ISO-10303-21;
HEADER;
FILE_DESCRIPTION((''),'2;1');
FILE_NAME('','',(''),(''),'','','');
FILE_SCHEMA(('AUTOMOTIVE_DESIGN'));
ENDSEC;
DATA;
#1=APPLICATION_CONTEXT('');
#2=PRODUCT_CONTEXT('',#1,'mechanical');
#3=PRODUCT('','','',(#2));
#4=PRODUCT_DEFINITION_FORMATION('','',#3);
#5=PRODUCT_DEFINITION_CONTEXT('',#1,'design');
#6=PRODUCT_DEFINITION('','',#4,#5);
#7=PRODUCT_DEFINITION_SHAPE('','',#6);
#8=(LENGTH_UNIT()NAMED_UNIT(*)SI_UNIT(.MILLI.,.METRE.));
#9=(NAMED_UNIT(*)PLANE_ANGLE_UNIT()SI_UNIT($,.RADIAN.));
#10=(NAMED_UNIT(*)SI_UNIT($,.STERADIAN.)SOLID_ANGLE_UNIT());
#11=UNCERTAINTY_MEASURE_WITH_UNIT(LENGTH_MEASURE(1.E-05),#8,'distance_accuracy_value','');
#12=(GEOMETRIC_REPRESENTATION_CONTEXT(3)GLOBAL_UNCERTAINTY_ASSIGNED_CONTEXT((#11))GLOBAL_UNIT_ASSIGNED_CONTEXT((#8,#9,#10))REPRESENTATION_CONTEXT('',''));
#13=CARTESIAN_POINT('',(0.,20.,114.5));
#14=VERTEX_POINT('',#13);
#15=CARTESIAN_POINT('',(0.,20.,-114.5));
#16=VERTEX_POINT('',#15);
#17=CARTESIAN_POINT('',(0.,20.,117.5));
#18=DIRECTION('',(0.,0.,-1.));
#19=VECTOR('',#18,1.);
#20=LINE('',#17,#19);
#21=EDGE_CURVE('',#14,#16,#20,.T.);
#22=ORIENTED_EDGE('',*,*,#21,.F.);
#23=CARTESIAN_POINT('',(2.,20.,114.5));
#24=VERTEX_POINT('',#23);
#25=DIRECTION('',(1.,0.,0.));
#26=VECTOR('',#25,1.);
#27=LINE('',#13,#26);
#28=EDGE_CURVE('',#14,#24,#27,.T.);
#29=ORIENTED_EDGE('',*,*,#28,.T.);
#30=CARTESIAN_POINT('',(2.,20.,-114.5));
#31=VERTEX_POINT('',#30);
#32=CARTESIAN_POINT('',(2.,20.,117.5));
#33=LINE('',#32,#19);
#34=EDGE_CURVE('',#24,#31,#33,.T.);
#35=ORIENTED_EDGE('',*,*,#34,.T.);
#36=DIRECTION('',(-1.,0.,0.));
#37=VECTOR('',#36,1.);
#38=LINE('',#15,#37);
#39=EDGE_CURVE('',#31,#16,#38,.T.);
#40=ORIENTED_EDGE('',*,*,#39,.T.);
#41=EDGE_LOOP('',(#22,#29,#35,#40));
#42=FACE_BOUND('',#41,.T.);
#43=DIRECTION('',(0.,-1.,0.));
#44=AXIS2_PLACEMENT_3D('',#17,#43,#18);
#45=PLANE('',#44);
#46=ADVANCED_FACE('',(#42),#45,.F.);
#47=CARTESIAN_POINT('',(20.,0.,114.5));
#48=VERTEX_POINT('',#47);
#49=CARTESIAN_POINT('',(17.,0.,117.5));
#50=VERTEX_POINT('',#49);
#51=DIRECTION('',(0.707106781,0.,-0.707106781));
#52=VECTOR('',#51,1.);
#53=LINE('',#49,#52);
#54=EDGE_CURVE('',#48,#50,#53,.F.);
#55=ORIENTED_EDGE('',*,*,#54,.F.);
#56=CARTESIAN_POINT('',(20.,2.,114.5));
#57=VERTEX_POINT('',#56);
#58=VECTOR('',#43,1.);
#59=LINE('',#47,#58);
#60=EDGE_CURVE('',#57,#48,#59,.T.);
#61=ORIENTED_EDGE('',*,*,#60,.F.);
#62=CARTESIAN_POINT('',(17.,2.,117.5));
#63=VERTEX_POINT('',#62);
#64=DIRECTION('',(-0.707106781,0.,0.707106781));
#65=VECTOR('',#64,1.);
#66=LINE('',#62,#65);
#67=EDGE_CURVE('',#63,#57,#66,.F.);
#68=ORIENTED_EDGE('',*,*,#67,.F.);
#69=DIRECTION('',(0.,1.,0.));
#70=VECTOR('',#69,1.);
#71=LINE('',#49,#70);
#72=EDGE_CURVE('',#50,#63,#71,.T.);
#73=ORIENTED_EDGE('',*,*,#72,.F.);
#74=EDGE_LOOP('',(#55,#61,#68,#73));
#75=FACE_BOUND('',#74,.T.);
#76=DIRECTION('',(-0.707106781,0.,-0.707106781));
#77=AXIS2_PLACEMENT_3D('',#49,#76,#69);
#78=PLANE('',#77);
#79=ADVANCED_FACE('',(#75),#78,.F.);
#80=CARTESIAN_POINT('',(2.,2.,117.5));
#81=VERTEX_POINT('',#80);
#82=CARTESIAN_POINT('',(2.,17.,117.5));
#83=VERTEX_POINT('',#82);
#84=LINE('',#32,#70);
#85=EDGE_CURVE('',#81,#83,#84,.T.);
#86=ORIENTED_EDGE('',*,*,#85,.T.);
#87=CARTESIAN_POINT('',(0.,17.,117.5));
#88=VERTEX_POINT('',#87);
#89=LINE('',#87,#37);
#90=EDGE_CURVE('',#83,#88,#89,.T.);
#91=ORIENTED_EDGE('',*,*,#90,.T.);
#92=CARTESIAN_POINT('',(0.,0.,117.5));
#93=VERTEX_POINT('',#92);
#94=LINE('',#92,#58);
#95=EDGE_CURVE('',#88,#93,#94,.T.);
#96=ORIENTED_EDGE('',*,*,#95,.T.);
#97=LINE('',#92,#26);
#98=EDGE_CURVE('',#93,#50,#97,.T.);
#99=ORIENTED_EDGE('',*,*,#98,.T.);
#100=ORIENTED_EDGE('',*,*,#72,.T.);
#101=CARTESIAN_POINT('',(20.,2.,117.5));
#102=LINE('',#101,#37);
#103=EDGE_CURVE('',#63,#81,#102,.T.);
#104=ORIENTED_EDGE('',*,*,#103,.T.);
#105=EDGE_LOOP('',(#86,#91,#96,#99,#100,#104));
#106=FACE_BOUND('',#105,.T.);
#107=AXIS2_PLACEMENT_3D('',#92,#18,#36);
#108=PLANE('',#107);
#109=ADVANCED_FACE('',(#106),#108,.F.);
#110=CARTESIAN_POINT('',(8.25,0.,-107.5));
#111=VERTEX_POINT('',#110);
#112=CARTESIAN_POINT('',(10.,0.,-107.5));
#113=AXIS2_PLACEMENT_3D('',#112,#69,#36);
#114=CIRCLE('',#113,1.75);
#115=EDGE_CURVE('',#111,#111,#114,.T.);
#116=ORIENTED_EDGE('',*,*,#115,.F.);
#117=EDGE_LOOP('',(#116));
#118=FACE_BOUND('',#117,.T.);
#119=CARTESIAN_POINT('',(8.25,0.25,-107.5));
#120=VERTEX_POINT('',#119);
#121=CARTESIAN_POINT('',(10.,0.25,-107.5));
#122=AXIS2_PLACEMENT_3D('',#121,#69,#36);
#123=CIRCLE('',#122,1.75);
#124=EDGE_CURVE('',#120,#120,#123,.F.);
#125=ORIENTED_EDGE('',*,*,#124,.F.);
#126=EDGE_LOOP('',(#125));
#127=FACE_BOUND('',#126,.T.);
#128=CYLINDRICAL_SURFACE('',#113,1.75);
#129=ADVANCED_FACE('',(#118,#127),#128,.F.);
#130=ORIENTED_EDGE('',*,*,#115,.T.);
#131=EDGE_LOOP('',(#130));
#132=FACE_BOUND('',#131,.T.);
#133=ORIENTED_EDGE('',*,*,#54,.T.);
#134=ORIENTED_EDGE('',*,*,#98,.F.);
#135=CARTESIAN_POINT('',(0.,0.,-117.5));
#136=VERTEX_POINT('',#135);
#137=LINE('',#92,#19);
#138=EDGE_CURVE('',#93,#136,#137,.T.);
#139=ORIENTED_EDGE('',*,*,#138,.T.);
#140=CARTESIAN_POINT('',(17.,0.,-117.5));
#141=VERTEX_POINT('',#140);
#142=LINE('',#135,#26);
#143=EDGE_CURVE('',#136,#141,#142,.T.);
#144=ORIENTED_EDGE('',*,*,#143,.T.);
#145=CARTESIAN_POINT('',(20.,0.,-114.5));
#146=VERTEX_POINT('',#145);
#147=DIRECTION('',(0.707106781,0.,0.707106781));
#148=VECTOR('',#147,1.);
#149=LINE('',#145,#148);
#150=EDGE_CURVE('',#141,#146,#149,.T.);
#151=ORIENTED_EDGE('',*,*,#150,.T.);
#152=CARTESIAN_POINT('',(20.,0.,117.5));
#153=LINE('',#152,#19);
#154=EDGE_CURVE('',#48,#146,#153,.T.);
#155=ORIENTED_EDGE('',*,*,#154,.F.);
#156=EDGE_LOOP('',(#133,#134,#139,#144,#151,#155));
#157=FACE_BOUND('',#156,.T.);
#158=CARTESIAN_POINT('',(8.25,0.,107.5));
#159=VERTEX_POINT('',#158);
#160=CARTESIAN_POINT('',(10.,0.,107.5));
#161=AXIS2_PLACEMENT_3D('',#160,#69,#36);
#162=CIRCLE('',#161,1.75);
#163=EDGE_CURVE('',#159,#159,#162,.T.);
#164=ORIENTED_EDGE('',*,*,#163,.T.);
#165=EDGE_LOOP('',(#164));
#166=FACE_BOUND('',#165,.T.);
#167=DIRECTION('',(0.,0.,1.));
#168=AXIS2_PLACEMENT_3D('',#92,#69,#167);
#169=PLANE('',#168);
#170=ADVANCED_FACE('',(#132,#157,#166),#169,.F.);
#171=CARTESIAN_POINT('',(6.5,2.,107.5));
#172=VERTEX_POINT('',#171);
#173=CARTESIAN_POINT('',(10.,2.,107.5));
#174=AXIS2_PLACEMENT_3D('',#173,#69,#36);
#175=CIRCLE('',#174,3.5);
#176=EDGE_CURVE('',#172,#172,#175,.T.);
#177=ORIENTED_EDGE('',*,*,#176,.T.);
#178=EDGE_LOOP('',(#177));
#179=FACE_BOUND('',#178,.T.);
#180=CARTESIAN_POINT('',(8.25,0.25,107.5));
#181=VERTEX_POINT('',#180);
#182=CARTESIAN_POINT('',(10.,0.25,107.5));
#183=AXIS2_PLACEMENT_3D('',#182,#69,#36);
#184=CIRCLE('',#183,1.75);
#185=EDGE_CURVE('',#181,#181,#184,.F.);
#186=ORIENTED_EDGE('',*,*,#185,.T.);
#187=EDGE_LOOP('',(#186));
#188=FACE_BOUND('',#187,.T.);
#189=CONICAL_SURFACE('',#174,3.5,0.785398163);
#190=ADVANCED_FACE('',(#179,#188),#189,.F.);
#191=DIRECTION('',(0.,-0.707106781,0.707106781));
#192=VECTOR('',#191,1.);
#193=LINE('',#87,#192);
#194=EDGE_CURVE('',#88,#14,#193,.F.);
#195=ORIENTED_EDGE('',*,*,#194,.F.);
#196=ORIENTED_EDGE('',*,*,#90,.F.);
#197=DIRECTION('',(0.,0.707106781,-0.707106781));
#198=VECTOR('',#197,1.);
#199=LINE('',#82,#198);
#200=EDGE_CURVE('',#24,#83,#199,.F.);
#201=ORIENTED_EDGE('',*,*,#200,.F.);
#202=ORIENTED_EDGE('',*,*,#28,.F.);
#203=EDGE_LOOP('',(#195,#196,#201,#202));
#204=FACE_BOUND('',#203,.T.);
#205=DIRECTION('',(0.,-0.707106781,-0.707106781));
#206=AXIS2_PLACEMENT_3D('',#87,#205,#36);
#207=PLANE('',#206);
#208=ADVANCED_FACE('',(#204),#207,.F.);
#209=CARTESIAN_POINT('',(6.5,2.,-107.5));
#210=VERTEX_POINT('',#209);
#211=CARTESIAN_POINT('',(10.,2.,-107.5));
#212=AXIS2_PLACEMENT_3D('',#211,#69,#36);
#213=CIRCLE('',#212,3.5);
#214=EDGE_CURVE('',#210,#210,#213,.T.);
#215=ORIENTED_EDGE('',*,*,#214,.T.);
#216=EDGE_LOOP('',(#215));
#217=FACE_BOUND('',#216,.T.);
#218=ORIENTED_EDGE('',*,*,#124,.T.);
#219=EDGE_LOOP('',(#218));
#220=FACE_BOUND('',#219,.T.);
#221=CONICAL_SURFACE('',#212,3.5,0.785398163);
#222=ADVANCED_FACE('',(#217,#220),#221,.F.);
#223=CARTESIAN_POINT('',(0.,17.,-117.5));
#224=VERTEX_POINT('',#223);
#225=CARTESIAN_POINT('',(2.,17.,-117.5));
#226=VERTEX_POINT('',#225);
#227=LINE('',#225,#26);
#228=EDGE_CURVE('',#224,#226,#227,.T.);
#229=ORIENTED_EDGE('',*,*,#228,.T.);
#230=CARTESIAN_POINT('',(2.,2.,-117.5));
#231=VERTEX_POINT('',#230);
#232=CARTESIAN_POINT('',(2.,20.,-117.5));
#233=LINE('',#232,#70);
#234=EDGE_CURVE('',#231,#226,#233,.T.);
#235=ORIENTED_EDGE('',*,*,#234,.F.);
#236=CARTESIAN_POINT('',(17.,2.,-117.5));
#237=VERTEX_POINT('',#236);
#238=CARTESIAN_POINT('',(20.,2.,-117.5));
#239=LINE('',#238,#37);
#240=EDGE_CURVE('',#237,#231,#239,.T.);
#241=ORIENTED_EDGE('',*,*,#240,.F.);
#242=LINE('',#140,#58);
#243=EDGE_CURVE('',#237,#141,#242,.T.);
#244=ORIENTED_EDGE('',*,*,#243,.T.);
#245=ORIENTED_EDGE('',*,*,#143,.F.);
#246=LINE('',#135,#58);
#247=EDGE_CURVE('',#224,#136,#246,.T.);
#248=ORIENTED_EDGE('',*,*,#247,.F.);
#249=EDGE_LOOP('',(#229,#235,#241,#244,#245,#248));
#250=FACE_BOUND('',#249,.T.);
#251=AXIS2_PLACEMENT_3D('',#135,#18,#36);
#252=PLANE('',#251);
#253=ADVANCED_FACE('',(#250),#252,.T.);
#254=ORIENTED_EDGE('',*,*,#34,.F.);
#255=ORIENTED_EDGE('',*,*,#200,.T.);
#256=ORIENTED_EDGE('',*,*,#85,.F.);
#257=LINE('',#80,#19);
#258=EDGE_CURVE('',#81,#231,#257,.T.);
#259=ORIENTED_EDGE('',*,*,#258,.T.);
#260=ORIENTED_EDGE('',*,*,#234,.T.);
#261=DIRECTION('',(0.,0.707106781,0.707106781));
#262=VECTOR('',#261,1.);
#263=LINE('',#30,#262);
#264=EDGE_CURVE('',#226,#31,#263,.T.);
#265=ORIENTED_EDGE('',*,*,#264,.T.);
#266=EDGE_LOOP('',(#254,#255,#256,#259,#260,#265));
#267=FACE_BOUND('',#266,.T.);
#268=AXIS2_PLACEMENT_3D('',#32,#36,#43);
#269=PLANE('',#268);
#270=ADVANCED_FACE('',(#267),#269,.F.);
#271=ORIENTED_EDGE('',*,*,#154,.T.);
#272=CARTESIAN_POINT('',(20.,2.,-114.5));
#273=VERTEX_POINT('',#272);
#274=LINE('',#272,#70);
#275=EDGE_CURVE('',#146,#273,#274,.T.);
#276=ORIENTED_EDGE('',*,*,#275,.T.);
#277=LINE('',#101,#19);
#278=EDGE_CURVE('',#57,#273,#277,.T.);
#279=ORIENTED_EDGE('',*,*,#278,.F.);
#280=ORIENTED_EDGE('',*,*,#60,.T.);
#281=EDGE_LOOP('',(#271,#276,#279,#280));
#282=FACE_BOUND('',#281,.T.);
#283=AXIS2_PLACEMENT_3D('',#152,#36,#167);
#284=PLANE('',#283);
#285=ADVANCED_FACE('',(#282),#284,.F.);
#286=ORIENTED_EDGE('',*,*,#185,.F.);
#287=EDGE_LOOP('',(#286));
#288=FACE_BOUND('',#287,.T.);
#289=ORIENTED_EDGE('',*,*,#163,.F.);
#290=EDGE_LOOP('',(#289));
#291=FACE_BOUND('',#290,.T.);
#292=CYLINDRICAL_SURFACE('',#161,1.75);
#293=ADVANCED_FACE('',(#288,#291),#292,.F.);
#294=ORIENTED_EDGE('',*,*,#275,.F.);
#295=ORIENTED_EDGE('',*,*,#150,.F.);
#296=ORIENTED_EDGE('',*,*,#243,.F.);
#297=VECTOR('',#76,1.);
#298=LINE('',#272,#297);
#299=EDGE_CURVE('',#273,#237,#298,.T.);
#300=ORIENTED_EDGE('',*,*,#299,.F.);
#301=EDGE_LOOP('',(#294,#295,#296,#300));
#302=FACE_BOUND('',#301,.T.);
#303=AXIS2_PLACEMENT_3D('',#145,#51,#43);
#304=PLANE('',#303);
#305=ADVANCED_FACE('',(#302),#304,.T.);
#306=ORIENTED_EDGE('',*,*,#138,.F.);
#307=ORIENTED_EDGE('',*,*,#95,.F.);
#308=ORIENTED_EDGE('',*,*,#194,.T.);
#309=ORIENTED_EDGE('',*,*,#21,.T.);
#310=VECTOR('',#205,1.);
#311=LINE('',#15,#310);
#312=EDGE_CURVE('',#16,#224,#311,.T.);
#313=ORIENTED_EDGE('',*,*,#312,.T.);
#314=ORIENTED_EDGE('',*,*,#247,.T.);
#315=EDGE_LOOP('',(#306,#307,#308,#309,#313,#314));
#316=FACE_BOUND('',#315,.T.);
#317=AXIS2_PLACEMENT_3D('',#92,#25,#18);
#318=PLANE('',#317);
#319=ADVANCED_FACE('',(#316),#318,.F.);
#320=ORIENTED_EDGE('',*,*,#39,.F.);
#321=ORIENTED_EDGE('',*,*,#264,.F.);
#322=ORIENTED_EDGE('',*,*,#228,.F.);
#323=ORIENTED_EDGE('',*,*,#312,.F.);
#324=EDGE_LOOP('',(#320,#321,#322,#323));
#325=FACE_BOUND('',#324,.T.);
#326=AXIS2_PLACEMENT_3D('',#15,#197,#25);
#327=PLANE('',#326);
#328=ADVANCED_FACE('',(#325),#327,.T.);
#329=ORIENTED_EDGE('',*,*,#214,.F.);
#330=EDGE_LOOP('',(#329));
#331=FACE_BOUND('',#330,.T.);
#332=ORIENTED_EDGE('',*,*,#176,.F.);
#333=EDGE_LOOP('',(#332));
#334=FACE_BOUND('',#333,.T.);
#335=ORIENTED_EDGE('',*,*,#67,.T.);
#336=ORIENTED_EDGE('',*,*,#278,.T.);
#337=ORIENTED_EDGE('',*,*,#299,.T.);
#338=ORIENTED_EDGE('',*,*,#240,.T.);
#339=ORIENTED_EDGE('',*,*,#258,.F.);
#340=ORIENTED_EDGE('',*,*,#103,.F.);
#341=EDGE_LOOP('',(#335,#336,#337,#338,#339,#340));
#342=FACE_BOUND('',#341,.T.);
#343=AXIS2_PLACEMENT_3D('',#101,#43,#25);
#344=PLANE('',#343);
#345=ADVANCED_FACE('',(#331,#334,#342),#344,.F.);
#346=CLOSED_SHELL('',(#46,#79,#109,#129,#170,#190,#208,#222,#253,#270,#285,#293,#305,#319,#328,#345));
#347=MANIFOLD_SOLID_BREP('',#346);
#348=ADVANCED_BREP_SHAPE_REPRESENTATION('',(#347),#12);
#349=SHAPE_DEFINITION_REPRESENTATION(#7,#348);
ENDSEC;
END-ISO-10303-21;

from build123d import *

# Parameters (mm, degrees)
BOSS_EXTRUDE1_DEPTH = 117.5
SKETCH3_R           = 1.75
CUT_EXTRUDE2_DEPTH  = 121.541486634
CHAMFER1_SIZE       = 3


with BuildPart() as part:
    # Sketch1 → Boss-Extrude1 (new, symmetric)
    with BuildSketch(Plane.XY):
        Polygon((0, 0), (20, 0), (20, 2), (2, 2), (2, 20), (0, 20), align=None)
    extrude(amount=BOSS_EXTRUDE1_DEPTH, both=True)

    # Cut-Extrude1 cone 1 section (through the dimple's axis) → Cut-Extrude1 (revolve, cut)
    with BuildSketch(Plane(origin=(10, 2, -107.5), x_dir=(0, 0, 1), z_dir=(1, 0, 0))):
        Polygon((0, 0), (3.5, 0), (0, 3.5), align=None)
    revolve(axis=Axis((10, 2, -107.5), (0, -1, 0)), mode=Mode.SUBTRACT)

    # Cut-Extrude1 cone 2 section (through the dimple's axis) → Cut-Extrude1 cone 2 (revolve, cut)
    with BuildSketch(Plane(origin=(10, 2, 107.5), x_dir=(0, 0, 1), z_dir=(1, 0, 0))):
        Polygon((0, 0), (3.5, 0), (0, 3.5), align=None)
    revolve(axis=Axis((10, 2, 107.5), (0, -1, 0)), mode=Mode.SUBTRACT)

    # Sketch3 → Cut-Extrude2 (cut, through all)
    with BuildSketch(Plane(origin=(0, 2, 0), x_dir=(1, 0, 0), z_dir=(0, 1, 0))):
        with Locations(Location((10, -107.5, 0), (0, 0, 180))):
            Circle(SKETCH3_R)
        with Locations(Location((10, 107.5, 0), (0, 0, 180))):
            Circle(SKETCH3_R)
    extrude(amount=-CUT_EXTRUDE2_DEPTH, mode=Mode.SUBTRACT)

    # Chamfer1
    chamfer1_edges = [part.edges().sort_by_distance(p)[0] for p in [
        (20, 1, 117.5),
        (1, 20, 117.5),
        (1, 20, -117.5),
        (20, 1, -117.5),
    ]]
    chamfer(chamfer1_edges, length=CHAMFER1_SIZE)


solid = part.part
